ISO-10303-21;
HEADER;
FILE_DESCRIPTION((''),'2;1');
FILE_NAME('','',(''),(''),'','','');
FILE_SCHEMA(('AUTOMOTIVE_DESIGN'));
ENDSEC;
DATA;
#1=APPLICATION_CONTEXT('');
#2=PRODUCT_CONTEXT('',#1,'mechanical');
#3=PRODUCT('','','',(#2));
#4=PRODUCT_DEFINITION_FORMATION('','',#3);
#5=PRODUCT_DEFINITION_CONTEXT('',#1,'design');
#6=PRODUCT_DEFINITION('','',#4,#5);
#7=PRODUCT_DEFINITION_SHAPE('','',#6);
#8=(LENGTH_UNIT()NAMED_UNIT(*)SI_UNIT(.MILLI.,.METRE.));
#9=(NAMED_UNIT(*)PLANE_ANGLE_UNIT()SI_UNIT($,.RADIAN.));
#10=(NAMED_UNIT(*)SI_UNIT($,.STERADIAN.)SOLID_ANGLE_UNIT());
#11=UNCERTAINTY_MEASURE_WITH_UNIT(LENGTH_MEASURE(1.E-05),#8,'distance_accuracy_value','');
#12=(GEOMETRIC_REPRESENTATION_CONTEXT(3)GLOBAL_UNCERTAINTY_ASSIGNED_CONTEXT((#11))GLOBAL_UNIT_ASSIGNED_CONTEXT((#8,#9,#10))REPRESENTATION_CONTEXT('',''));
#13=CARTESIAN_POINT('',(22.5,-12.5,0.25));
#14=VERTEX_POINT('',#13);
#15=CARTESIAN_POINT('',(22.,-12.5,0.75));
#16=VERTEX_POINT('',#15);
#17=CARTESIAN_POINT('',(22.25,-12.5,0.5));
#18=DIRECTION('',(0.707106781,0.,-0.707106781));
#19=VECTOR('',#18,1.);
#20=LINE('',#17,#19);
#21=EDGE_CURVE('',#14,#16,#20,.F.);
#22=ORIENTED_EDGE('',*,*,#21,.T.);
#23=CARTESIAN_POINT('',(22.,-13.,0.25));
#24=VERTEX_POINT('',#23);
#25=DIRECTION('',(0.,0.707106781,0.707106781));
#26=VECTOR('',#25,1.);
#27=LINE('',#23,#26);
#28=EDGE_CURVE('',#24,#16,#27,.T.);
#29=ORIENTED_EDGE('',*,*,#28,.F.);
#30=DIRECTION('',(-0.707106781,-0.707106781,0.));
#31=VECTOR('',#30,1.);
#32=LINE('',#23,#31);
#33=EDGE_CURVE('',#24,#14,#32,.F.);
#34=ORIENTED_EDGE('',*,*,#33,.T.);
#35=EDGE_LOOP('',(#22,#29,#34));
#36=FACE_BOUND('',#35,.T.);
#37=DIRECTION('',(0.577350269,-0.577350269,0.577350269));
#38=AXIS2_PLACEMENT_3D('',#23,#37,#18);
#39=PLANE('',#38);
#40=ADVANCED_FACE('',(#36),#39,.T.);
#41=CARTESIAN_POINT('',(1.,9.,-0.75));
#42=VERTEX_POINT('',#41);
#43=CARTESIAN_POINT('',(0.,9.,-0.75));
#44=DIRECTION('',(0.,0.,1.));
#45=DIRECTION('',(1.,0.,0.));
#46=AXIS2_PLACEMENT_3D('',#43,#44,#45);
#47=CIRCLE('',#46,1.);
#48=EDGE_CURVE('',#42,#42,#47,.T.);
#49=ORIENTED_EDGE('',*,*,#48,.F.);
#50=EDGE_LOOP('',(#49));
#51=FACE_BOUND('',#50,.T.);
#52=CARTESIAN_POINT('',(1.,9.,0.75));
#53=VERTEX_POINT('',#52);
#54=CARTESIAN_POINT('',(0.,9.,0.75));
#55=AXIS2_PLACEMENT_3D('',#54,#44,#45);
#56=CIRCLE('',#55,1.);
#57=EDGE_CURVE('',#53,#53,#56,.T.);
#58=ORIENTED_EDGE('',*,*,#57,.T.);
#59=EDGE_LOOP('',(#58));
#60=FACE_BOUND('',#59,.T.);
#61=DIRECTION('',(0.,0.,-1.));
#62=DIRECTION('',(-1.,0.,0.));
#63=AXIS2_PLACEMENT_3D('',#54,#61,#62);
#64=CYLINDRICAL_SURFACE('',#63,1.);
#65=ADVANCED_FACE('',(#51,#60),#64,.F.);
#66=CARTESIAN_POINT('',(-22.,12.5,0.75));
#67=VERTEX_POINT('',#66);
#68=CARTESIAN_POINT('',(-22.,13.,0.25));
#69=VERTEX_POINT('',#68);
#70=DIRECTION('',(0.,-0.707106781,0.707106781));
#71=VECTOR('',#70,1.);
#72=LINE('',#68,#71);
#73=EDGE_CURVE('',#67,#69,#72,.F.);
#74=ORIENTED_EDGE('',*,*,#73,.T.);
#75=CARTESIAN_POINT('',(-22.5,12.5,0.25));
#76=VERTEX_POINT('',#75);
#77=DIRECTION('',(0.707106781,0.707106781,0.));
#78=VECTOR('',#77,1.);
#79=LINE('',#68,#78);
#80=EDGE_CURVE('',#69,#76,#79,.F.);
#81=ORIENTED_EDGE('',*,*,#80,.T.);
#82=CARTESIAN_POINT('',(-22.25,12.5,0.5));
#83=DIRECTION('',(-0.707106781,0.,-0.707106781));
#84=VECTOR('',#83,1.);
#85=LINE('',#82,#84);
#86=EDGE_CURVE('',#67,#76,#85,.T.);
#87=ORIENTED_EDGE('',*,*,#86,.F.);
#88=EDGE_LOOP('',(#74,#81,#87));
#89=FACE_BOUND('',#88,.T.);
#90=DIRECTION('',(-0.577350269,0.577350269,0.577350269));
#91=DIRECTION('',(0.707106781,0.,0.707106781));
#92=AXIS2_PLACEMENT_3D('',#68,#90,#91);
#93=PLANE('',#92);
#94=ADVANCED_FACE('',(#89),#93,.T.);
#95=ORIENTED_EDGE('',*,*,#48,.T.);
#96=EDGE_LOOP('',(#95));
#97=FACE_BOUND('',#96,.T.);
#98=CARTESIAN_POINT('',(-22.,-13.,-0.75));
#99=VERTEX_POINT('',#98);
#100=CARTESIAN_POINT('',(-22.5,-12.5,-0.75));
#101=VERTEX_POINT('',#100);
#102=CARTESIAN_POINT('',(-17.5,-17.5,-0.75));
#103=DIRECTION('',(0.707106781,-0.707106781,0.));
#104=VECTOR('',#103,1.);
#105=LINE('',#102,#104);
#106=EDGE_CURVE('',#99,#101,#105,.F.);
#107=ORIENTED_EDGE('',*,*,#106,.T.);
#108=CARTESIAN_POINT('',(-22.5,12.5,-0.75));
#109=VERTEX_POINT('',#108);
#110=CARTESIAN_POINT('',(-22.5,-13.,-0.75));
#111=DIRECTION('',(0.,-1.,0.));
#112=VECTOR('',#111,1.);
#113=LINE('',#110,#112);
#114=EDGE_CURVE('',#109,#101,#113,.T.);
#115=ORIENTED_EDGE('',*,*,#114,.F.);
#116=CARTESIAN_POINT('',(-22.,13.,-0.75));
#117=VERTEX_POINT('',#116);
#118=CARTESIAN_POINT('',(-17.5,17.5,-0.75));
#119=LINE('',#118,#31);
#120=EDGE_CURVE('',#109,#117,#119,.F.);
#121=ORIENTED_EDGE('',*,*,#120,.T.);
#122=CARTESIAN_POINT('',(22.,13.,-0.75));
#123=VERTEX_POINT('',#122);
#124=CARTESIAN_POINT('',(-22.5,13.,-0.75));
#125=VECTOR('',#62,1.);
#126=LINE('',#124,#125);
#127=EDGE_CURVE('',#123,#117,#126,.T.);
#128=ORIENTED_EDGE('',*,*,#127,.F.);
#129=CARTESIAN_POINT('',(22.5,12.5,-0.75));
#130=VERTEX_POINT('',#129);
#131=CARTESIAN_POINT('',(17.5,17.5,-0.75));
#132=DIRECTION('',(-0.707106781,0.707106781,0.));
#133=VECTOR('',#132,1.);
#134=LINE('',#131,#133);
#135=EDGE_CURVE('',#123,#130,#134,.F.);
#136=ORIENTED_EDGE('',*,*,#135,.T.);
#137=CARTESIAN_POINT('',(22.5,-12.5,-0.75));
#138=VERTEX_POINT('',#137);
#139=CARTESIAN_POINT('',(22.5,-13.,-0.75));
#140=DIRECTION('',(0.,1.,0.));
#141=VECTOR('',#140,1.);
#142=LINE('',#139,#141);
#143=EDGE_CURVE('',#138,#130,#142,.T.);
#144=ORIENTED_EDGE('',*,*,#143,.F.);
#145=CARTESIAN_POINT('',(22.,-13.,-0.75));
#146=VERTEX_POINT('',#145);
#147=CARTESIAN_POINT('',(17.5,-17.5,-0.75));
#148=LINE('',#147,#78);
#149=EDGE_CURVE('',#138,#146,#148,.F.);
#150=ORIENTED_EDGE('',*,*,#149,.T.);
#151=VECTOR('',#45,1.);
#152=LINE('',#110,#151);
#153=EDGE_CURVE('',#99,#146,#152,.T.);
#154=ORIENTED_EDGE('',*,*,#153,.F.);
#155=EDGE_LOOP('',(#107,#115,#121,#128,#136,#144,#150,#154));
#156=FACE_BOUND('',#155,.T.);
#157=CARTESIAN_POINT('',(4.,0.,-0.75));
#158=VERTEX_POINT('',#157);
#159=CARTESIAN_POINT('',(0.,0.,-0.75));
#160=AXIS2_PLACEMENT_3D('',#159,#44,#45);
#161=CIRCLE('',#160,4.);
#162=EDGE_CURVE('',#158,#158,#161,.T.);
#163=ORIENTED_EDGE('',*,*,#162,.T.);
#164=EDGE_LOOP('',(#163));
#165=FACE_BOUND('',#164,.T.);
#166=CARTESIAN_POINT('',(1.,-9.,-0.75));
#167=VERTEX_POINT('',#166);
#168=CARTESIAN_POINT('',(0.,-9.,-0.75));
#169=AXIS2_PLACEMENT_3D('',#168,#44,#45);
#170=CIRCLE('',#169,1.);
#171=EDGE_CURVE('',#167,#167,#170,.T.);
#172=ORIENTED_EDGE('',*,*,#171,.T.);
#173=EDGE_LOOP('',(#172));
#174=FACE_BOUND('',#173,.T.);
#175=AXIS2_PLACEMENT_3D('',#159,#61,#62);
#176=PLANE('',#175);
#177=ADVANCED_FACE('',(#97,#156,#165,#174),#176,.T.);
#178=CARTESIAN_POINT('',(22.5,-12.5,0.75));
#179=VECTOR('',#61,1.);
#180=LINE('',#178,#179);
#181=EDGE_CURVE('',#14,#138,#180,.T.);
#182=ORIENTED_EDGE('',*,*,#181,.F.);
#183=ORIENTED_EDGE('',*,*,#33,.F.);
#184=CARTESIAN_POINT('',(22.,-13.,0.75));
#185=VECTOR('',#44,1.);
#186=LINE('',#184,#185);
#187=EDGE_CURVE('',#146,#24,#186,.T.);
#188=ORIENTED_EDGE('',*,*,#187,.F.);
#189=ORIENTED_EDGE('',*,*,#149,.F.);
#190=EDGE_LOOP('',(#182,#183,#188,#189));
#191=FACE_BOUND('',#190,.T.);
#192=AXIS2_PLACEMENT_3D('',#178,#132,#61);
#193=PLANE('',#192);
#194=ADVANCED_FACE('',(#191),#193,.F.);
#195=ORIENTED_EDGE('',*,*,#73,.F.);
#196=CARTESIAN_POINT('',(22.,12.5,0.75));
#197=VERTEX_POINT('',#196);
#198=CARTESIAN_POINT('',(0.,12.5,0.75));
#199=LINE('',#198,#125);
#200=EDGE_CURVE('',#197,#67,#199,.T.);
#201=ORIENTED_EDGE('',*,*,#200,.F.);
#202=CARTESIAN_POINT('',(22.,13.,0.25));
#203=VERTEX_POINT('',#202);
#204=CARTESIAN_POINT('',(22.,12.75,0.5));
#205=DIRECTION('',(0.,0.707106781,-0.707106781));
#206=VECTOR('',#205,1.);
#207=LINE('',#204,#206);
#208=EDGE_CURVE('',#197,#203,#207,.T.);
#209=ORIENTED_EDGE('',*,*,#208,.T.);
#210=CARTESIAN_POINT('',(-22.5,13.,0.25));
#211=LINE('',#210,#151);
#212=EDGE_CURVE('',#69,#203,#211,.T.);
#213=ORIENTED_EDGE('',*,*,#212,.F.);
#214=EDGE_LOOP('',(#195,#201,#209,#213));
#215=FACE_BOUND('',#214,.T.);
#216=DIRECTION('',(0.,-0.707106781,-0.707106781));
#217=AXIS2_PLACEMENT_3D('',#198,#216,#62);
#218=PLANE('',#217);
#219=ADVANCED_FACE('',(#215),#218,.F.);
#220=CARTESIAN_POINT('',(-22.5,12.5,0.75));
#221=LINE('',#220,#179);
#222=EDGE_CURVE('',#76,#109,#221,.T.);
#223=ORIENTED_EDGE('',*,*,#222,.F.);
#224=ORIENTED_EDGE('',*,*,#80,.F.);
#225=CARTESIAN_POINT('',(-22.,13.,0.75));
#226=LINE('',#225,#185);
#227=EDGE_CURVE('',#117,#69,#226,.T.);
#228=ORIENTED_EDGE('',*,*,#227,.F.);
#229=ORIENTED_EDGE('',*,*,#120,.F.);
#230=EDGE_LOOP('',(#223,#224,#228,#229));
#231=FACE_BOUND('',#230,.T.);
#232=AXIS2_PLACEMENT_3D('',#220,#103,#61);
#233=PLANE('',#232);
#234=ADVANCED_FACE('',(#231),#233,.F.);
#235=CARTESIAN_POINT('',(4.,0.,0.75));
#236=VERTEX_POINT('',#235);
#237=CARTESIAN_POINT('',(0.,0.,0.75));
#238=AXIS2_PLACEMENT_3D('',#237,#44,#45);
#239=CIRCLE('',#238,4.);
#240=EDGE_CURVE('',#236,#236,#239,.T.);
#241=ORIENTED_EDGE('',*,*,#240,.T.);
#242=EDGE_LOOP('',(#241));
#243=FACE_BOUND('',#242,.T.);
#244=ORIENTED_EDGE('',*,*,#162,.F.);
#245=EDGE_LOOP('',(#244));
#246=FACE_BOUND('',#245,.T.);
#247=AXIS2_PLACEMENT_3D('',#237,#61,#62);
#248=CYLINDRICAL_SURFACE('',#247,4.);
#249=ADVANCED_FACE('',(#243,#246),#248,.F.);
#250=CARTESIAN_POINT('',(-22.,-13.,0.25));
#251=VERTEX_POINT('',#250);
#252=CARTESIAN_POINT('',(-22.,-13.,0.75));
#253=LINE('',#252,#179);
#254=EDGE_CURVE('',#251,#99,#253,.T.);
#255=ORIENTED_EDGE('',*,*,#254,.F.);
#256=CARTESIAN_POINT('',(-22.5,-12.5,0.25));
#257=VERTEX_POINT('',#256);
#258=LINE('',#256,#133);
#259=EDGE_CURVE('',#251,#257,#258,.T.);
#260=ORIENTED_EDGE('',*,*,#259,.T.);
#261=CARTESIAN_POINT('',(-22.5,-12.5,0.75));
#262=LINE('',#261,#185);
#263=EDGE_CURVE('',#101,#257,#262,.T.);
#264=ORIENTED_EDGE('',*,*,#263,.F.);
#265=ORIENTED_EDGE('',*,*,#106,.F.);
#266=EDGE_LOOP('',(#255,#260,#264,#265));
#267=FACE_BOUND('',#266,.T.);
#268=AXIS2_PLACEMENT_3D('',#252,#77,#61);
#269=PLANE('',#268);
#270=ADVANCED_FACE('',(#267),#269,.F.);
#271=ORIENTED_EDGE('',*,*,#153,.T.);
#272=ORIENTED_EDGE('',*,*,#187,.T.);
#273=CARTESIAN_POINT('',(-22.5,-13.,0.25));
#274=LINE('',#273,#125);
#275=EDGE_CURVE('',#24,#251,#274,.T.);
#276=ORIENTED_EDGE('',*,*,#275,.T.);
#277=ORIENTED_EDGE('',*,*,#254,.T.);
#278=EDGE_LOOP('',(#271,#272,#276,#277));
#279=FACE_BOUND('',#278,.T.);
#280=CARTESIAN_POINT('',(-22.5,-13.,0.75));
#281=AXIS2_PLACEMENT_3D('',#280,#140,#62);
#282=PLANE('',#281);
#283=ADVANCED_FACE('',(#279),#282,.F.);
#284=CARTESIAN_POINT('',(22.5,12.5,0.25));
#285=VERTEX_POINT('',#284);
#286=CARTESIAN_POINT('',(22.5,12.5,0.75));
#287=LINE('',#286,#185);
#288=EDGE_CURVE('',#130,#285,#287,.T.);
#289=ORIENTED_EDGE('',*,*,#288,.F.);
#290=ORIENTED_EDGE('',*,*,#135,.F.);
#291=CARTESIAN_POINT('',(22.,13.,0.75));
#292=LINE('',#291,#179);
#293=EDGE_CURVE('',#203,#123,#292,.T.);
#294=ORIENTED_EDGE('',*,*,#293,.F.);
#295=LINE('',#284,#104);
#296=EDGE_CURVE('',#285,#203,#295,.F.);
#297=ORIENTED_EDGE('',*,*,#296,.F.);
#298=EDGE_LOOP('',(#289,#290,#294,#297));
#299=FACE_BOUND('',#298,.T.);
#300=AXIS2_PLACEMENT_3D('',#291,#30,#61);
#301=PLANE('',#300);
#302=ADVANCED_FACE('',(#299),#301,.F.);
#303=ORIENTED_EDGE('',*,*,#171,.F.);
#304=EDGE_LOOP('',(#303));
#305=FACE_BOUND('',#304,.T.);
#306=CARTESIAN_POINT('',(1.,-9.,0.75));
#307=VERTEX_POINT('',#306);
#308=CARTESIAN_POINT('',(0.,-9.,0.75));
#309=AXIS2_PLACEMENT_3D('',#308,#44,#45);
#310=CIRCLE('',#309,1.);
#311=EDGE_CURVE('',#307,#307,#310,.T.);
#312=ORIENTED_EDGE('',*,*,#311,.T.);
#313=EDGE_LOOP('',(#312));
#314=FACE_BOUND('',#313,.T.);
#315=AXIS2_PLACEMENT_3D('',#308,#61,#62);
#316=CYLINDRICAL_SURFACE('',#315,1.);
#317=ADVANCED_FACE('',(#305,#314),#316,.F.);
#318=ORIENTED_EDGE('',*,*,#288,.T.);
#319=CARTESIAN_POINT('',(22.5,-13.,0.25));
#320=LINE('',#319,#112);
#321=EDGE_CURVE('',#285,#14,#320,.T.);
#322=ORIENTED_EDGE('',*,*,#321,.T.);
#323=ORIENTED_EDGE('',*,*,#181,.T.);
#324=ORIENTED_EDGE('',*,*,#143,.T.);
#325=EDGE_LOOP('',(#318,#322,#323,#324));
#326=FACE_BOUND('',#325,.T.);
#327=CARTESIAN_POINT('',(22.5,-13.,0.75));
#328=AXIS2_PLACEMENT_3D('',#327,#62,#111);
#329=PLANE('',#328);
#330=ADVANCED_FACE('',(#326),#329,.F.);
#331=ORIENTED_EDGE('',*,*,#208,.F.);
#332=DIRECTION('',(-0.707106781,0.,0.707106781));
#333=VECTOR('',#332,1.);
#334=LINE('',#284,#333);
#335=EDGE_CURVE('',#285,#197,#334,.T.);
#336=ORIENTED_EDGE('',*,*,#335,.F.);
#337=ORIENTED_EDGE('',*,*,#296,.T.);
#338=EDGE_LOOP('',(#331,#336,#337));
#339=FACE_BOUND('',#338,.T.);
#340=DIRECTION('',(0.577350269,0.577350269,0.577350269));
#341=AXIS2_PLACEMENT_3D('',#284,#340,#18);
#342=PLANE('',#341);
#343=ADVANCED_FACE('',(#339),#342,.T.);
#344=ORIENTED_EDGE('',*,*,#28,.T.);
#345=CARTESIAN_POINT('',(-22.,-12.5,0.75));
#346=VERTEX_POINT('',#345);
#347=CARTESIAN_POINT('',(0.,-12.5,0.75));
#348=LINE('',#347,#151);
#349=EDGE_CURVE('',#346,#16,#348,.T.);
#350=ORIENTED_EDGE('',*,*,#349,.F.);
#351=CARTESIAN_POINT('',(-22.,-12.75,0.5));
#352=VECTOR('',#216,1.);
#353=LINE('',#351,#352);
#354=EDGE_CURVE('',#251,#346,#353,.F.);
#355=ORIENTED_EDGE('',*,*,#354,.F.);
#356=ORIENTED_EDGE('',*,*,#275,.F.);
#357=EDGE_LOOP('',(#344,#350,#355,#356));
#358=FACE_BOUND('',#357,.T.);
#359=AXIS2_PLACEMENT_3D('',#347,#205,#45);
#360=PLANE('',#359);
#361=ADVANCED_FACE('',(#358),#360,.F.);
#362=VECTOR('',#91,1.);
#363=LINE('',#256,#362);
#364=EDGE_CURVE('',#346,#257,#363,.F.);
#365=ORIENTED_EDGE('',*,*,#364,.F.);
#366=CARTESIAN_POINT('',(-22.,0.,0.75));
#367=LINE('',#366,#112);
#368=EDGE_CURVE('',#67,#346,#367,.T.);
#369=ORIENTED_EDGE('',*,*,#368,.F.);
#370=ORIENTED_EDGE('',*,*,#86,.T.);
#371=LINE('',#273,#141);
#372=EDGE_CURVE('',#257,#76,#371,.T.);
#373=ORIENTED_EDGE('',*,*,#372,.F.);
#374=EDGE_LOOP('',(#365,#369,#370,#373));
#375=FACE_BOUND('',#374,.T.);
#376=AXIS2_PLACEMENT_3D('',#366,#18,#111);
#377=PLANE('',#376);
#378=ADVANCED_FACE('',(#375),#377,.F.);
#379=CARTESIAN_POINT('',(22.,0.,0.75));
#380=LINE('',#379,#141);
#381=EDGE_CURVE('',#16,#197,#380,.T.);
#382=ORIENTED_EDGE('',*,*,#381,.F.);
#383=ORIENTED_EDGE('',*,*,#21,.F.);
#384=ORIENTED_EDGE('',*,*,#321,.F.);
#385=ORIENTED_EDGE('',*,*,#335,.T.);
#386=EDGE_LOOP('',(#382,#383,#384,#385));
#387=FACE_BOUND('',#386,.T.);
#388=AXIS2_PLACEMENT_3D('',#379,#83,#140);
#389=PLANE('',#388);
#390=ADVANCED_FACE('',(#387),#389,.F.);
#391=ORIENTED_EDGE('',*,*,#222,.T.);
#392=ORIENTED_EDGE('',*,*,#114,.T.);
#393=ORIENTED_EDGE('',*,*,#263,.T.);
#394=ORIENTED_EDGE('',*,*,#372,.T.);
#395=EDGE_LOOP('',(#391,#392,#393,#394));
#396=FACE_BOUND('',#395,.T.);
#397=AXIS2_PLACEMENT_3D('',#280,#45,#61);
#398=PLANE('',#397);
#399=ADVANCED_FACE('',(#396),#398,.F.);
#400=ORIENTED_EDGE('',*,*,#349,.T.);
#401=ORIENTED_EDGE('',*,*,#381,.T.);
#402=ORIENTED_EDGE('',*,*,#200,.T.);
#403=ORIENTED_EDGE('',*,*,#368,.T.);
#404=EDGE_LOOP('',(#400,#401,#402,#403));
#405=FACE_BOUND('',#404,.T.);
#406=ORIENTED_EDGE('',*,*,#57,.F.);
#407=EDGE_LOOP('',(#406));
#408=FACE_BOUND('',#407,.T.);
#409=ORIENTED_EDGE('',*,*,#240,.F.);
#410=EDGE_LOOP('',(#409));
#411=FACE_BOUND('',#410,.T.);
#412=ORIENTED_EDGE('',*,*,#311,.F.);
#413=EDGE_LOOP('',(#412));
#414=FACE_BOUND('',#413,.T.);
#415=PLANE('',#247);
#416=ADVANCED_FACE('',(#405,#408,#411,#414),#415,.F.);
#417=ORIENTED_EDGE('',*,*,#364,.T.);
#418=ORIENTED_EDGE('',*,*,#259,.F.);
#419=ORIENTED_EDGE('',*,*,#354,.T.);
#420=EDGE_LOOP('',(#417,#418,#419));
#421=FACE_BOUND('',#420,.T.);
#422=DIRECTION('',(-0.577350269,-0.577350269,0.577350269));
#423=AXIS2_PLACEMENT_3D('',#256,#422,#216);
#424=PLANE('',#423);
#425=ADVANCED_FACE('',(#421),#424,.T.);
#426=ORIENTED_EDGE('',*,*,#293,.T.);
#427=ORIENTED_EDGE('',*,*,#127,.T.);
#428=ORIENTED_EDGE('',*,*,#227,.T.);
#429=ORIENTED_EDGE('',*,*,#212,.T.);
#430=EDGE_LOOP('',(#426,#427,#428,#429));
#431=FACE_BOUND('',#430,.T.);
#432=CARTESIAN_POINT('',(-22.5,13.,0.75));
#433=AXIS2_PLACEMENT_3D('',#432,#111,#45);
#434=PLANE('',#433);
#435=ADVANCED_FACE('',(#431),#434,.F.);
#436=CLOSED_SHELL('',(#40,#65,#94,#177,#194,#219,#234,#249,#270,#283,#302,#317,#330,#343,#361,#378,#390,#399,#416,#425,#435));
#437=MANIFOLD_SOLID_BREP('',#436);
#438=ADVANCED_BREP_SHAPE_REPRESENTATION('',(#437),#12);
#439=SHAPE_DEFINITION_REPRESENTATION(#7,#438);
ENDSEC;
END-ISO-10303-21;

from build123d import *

# Parameters (mm, degrees)
SKETCH1_W           = 45
SKETCH1_H           = 26
SKETCH1_R           = 4
SKETCH1_R_2         = 1
BOSS_EXTRUDE1_DEPTH = 0.75
CHAMFER1_SIZE       = 0.5


with BuildPart() as part:
    # Sketch1 → Boss-Extrude1 (new body, symmetric)
    with BuildSketch(Plane.XY):
        Rectangle(SKETCH1_W, SKETCH1_H)
        Circle(SKETCH1_R, mode=Mode.SUBTRACT)
        with Locations((0, 9)):
            Circle(SKETCH1_R_2, mode=Mode.SUBTRACT)
        with Locations((0, -9)):
            Circle(SKETCH1_R_2, mode=Mode.SUBTRACT)
    extrude(amount=BOSS_EXTRUDE1_DEPTH, both=True)

    # Chamfer1
    chamfer1_edges = [part.edges().sort_by_distance(p)[0] for p in [
        (-22.5, 0, 0.75),
        (0, -13, 0.75),
        (22.5, 0, 0.75),
        (22.5, -13, 0),
        (-22.5, -13, 0),
        (-22.5, 13, 0),
        (22.5, 13, 0),
        (0, 13, 0.75),
    ]]
    chamfer(chamfer1_edges, length=CHAMFER1_SIZE)


solid = part.part
